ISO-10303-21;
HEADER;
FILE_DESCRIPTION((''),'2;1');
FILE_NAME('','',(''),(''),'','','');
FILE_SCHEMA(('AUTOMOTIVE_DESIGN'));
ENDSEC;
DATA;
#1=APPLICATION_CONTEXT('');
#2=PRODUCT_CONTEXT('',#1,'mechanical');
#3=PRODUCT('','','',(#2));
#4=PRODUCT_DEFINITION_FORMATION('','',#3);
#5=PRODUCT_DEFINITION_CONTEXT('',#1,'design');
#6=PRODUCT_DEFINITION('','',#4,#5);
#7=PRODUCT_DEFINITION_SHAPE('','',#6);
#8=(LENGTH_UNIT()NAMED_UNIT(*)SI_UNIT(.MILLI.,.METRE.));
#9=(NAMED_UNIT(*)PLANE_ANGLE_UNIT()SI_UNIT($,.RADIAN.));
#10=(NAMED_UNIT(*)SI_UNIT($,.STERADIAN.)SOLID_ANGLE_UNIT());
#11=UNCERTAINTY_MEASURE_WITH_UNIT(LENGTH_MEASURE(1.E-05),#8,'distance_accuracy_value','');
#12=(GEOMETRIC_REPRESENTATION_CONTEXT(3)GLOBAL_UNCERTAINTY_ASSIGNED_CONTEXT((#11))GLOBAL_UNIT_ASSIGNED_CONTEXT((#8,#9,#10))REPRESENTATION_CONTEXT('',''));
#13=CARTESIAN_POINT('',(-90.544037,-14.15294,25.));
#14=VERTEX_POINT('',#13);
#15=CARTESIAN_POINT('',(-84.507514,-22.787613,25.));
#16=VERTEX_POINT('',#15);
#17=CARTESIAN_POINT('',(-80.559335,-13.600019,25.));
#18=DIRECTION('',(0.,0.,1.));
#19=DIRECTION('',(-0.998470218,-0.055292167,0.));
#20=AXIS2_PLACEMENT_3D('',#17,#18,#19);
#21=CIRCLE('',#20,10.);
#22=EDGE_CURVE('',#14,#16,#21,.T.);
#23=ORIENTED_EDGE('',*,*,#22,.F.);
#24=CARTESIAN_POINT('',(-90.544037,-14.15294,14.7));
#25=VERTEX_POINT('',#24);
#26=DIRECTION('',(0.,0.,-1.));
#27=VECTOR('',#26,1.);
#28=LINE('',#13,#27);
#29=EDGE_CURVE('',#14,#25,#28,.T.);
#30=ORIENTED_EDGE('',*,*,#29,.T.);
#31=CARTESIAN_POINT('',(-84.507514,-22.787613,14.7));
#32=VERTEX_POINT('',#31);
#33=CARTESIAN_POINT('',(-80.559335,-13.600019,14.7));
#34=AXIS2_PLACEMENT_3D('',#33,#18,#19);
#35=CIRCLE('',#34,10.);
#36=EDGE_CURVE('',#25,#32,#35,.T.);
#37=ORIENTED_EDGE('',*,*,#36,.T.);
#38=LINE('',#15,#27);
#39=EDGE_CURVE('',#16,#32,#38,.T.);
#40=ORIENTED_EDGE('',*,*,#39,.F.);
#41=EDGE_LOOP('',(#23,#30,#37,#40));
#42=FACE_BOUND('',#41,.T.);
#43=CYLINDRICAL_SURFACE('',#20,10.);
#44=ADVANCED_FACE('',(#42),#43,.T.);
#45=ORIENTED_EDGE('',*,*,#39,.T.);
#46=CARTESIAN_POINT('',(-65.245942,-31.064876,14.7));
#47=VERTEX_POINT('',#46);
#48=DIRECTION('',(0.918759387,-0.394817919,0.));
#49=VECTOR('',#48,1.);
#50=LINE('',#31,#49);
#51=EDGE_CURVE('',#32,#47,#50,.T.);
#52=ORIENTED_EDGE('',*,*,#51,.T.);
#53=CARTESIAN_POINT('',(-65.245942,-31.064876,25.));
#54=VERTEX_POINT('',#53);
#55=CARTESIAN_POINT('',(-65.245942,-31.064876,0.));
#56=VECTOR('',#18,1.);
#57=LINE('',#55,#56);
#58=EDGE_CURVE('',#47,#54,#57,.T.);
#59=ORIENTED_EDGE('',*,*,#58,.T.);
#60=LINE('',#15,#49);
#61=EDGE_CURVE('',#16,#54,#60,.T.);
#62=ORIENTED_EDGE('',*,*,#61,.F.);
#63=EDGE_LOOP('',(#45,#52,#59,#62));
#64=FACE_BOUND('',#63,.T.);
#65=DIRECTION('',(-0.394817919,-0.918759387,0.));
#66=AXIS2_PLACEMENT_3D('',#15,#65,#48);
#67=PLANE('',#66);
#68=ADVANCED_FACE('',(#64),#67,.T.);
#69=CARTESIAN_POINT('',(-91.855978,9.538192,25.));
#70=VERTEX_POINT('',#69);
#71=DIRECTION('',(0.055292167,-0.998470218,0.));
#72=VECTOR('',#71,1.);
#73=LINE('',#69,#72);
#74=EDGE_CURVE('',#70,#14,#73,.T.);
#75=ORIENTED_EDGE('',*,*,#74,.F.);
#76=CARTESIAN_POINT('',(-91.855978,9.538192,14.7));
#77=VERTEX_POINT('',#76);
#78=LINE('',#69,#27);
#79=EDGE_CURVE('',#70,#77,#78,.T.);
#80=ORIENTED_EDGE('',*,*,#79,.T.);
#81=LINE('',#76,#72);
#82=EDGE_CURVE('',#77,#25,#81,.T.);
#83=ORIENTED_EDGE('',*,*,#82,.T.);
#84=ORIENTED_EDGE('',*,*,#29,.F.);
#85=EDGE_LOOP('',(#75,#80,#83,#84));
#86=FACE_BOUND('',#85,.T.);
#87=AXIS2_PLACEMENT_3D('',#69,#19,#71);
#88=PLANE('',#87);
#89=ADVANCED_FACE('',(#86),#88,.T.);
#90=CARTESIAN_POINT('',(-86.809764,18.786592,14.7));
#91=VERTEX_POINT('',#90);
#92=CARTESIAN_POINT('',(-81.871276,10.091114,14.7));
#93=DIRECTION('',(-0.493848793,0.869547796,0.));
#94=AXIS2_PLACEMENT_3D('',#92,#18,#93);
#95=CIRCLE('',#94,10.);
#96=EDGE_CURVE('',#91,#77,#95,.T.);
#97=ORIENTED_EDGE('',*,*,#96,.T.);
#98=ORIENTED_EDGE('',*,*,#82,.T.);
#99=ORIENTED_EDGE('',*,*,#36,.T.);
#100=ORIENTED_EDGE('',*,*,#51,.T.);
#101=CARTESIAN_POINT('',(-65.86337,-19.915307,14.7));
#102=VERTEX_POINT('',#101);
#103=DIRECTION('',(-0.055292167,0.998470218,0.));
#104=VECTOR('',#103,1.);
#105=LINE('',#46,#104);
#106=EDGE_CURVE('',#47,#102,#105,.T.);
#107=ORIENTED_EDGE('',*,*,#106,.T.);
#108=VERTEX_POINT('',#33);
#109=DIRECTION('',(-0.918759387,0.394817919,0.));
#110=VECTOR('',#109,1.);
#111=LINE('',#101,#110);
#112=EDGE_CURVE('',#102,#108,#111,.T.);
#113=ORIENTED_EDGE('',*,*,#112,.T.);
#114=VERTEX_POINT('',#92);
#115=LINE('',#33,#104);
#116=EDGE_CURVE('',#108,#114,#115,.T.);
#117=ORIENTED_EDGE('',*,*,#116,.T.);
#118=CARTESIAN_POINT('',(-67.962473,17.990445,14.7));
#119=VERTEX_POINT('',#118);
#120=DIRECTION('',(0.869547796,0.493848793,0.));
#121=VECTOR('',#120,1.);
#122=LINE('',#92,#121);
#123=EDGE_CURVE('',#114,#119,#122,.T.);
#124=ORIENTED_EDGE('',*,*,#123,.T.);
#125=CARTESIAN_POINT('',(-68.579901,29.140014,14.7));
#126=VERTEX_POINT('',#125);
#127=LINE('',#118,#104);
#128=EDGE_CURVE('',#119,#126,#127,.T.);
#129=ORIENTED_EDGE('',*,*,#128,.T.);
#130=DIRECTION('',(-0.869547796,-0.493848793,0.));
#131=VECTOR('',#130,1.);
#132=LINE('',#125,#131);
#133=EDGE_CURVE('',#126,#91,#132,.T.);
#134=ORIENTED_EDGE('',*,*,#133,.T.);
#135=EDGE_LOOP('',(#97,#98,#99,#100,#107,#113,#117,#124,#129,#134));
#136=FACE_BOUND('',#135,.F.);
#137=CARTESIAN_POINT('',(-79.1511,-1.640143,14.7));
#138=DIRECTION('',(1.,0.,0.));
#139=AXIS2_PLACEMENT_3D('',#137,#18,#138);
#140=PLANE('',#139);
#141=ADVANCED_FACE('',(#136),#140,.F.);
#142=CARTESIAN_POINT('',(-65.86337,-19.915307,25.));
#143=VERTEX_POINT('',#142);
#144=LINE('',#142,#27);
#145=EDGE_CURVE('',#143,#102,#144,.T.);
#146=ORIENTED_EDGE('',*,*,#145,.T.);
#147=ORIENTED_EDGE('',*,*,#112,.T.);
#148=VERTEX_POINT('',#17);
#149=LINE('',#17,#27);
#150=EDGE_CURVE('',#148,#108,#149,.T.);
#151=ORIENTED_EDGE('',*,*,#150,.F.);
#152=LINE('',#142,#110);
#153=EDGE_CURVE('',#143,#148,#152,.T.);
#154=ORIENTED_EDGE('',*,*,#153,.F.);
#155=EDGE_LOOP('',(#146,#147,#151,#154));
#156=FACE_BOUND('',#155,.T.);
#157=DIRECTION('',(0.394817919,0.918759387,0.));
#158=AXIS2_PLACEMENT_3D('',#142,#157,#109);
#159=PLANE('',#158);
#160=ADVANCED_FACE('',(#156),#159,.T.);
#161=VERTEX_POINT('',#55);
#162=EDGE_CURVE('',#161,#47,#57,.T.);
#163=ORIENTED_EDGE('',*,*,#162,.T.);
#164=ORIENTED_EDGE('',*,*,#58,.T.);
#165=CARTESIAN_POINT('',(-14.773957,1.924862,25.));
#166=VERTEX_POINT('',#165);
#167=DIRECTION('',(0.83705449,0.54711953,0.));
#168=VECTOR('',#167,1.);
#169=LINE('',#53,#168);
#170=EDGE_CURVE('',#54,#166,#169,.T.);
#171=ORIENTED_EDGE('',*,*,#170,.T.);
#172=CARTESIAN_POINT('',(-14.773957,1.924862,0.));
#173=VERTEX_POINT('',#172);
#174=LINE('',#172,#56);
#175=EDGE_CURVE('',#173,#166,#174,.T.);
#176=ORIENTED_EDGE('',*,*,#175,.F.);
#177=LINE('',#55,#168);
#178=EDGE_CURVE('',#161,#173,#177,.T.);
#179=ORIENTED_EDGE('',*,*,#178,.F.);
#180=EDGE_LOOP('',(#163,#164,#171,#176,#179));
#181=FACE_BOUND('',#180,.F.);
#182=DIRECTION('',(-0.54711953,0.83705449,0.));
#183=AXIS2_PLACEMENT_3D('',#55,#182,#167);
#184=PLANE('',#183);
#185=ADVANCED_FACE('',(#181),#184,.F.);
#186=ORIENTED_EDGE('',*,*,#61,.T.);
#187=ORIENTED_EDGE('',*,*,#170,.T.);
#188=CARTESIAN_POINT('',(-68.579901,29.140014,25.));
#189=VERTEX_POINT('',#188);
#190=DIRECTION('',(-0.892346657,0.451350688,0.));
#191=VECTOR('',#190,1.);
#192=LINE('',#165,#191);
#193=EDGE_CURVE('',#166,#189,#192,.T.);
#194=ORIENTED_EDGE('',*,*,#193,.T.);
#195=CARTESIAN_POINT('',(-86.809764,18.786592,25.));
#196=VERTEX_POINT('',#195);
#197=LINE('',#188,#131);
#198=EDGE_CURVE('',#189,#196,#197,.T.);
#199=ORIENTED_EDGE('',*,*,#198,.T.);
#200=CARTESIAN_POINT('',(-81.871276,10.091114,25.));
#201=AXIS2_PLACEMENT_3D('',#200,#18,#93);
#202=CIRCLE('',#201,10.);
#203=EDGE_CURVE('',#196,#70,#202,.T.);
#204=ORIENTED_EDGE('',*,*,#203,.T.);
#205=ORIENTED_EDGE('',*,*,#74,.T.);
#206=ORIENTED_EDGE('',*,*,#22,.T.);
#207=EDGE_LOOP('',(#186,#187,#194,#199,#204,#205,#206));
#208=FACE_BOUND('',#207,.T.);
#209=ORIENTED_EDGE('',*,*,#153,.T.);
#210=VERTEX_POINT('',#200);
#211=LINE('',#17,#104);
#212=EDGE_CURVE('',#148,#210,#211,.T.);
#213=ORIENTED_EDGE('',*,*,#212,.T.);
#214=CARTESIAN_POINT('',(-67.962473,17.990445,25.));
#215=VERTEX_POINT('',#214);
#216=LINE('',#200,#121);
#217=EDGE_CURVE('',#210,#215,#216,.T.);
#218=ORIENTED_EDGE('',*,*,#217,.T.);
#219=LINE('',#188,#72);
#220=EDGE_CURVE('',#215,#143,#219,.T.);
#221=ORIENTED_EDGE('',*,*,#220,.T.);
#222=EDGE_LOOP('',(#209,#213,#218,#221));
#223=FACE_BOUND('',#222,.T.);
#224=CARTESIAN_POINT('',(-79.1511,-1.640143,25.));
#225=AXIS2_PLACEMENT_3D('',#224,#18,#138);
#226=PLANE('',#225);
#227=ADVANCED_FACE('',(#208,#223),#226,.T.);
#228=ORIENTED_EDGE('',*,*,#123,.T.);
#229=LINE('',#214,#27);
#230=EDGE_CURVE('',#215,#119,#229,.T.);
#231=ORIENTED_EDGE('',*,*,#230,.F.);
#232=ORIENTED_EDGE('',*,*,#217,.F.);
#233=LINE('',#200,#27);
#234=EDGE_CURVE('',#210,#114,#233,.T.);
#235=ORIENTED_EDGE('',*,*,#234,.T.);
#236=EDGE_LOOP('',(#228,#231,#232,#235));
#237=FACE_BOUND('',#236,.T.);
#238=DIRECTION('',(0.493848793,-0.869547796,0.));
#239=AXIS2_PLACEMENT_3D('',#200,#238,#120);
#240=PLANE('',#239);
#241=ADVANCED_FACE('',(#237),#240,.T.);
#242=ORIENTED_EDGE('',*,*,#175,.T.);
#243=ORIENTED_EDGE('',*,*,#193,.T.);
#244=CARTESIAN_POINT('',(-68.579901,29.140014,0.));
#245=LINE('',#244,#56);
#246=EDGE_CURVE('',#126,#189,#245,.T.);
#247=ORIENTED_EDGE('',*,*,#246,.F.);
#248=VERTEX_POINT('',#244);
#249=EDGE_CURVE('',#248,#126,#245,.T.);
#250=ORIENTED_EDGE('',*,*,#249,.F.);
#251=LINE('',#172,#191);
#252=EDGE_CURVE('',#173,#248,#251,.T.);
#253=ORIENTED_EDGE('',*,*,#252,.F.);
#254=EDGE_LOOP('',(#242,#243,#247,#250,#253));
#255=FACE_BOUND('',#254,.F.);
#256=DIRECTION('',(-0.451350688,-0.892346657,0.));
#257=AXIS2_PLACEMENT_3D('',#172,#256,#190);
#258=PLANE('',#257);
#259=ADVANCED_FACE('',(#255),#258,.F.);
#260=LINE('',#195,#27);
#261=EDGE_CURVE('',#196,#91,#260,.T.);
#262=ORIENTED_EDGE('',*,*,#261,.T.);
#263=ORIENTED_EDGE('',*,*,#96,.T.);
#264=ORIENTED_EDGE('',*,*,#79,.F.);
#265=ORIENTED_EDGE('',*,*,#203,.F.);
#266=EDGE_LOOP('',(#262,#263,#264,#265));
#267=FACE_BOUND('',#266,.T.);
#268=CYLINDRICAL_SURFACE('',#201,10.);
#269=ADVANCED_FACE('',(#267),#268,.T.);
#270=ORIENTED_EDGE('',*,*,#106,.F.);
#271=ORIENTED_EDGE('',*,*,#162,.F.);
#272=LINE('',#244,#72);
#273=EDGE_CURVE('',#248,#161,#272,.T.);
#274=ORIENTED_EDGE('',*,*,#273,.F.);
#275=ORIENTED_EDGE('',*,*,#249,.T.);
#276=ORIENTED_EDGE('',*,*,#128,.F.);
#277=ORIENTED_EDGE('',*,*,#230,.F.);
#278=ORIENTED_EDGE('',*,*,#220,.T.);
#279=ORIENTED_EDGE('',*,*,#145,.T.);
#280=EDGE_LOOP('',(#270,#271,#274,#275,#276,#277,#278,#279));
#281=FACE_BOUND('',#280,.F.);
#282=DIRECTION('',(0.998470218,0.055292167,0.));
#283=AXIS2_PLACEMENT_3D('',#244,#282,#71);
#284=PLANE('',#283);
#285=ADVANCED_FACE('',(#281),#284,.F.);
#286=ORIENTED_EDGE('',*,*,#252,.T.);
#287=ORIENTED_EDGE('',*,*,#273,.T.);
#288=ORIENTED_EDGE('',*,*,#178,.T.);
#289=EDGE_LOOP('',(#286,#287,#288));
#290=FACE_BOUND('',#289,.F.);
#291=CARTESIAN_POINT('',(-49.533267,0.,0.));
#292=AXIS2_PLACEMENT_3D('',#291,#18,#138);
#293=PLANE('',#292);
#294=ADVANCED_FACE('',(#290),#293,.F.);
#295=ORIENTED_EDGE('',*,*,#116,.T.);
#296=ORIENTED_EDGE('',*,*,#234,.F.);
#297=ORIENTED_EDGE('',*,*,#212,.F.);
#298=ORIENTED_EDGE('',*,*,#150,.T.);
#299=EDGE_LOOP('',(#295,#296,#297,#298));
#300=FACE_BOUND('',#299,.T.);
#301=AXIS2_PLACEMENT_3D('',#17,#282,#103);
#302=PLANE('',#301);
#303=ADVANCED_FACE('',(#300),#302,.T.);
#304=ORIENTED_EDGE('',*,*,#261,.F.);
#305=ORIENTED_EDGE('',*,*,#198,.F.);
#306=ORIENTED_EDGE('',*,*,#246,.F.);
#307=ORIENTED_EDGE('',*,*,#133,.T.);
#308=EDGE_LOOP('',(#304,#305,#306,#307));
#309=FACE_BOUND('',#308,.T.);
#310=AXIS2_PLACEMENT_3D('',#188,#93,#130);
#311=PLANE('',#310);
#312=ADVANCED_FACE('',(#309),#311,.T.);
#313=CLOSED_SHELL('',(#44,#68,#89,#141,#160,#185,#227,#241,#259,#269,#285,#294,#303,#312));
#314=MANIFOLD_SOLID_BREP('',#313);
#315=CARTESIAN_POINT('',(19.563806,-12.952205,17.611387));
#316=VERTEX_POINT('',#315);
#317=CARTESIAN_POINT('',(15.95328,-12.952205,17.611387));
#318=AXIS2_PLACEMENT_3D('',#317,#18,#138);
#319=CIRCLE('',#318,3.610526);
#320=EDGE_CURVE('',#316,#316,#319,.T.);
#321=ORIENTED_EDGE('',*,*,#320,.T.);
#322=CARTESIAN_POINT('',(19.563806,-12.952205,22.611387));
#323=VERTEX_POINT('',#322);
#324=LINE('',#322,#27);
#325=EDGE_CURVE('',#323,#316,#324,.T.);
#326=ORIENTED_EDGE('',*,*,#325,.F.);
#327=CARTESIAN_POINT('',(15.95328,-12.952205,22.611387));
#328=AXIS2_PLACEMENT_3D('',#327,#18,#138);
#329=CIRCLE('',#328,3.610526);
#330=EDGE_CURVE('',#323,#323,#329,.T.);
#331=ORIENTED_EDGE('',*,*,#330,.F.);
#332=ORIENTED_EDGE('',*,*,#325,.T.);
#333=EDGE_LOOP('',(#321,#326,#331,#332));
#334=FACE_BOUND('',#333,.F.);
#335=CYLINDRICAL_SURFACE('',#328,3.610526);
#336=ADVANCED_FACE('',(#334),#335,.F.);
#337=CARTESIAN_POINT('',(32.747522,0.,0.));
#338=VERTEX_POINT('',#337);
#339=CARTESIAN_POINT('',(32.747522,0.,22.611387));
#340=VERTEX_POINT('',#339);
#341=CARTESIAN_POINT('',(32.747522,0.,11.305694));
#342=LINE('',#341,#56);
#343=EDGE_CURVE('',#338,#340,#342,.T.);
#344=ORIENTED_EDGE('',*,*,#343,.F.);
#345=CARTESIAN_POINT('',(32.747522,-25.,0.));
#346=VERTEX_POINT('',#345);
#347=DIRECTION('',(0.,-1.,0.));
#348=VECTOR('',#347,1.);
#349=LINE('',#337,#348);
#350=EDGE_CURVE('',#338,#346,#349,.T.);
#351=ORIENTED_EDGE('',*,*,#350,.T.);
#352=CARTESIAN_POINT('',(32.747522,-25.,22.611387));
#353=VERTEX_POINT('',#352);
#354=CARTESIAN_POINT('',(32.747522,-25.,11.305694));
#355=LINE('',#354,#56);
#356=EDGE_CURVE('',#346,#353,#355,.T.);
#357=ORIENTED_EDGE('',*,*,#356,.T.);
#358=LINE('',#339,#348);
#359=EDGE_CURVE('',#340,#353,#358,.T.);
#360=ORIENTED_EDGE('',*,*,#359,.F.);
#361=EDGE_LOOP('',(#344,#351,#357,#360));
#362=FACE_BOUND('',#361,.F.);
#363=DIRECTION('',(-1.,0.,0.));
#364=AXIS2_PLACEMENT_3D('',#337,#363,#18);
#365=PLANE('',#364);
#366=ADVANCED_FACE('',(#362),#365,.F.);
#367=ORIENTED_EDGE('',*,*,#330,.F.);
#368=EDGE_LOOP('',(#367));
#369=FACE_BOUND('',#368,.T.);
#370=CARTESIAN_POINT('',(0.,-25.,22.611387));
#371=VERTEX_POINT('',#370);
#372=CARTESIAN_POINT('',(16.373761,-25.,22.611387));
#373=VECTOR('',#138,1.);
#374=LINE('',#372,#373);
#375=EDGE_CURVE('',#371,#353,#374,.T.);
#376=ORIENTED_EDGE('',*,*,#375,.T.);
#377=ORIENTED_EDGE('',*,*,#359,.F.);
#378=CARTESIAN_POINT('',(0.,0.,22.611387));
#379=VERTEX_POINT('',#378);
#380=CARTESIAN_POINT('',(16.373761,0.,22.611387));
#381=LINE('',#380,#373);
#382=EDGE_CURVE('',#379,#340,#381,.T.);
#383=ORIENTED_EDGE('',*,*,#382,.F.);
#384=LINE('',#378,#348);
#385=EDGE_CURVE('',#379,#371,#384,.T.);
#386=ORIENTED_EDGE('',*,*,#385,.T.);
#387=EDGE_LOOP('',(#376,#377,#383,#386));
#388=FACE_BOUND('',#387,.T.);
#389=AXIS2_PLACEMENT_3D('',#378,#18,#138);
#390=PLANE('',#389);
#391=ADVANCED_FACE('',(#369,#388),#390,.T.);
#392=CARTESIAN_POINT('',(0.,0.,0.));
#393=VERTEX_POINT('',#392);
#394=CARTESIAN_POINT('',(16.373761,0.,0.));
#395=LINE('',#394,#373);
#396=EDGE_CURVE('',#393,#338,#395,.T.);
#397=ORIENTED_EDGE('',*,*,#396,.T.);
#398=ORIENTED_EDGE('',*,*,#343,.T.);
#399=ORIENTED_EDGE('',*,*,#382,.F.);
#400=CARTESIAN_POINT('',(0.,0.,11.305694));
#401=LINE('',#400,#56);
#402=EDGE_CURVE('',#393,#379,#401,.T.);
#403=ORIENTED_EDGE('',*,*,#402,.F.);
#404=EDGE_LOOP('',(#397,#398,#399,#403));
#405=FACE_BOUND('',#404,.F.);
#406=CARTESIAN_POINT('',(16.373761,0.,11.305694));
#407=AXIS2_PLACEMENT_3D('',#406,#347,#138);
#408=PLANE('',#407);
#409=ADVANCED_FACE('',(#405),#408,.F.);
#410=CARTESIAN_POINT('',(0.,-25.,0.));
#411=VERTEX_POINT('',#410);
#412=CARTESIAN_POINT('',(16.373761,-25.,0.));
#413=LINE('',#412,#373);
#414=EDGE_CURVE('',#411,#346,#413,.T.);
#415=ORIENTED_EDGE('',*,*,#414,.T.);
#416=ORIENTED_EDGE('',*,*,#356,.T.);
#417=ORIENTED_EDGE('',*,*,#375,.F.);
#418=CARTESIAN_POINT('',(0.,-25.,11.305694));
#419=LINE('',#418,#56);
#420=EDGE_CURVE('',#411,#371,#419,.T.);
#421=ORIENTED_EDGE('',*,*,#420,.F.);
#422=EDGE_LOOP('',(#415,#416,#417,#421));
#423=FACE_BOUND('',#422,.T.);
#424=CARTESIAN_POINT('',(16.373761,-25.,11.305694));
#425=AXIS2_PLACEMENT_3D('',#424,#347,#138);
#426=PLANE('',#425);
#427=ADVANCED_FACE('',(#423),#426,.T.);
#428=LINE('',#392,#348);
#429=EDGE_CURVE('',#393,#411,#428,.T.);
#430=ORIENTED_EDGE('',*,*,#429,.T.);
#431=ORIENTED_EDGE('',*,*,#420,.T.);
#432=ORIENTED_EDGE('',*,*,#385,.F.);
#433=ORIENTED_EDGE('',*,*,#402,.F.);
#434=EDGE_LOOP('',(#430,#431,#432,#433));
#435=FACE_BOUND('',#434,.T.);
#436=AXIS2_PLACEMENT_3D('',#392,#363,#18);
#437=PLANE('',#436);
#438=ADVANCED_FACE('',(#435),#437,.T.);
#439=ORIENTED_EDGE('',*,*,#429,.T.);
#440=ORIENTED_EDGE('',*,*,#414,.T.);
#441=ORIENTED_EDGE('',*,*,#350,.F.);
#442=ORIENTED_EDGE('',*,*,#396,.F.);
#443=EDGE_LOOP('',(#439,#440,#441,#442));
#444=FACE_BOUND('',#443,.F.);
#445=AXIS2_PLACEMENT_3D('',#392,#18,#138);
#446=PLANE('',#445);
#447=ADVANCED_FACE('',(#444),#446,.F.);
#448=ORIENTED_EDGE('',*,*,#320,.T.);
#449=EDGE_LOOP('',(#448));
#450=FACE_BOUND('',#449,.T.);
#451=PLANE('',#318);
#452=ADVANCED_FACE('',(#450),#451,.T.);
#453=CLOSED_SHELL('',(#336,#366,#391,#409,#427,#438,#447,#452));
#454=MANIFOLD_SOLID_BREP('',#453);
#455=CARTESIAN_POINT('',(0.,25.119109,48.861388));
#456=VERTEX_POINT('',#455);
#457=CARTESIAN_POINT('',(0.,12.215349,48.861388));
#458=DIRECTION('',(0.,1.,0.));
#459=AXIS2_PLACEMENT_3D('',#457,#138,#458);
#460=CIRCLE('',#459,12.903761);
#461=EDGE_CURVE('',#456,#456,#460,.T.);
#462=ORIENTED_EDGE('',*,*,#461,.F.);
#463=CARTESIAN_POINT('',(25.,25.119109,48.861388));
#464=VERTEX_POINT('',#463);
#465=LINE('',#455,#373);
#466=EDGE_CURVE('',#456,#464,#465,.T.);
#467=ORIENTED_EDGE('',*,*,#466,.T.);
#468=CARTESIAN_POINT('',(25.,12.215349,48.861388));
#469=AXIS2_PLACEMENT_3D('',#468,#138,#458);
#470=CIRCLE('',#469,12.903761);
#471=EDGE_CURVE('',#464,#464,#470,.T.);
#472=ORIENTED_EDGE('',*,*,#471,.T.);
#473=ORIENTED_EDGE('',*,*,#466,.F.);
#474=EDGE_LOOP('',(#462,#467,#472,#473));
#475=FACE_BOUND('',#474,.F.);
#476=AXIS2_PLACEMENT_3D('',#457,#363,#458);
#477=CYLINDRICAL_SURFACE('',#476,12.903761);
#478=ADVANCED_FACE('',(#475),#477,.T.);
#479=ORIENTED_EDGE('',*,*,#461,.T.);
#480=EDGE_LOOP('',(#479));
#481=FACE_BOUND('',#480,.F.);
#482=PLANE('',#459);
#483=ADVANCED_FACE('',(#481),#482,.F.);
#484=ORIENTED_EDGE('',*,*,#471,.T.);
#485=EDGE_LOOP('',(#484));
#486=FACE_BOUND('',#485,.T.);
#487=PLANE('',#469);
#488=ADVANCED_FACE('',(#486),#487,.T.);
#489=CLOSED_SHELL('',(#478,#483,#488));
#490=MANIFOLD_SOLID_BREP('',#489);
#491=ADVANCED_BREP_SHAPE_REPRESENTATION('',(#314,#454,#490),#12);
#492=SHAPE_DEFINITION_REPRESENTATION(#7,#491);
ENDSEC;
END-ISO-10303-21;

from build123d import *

# Parameters (mm, degrees)
F0_W     = 32.7475219965
F0_H     = 22.611387074
F1_DEPTH = 25
F2_R     = 12.9037605073
F3_DEPTH = 25
F5_DEPTH = 25
F6_R     = 3.610526351
F7_DEPTH = 5
F9_DEPTH = 10.3


with BuildPart() as f1:
    # F0 (on Front) → F1 (new body)
    with BuildSketch(Plane.XZ):
        with Locations((16.3737609982, 11.305693537)):
            Rectangle(F0_W, F0_H)
    extrude(amount=F1_DEPTH)

    # F6 (on face) → F7 (cut)
    with BuildSketch(Plane.XY.offset(22.611387074)):
        with Locations((15.9532800317, -12.9522047937)):
            Circle(F6_R)
    extrude(amount=-F7_DEPTH, mode=Mode.SUBTRACT)


with BuildPart() as f3:
    # F2 (on Right) → F3 (new body)
    with BuildSketch(Plane.YZ):
        with Locations((12.2153488919, 48.8613881171)):
            Circle(F2_R)
    extrude(amount=F3_DEPTH)


with BuildPart() as f5:
    # F4 (on Top) → F5 (new body)
    with BuildSketch(Plane.XY):
        Polygon((-65.2459419214, -31.0648763786), (-14.7739567913, 1.9248621772), (-68.5799010098, 29.1400142014), align=None)
    extrude(amount=F5_DEPTH)

    # F8 (on face) → F9 (join)
    with BuildSketch(Plane.XY.offset(25)):
        with BuildLine():
            Line((-67.962472612, 17.9904445321), (-68.5799010098, 29.1400142014))
            Line((-68.5799010098, 29.1400142014), (-86.8097636916, 18.786591731))
            ThreePointArc((-86.8097636916, 18.786591731), (-90.6495799627, 14.8808293472), (-91.8559779381, 9.5381921034))
            Line((-91.8559779381, 9.5381921034), (-90.5440368998, -14.1529404398))
            ThreePointArc((-90.5440368998, -14.1529404398), (-88.7551072146, -19.3297057789), (-84.5075139047, -22.787612641))
            Line((-84.5075139047, -22.787612641), (-65.2459419214, -31.0648763786))
            Line((-65.2459419214, -31.0648763786), (-65.8633703192, -19.9153067092))
            Line((-65.8633703192, -19.9153067092), (-80.5593347196, -13.6000187709))
            Line((-80.5593347196, -13.6000187709), (-81.8712757579, 10.0911137724))
            Line((-81.8712757579, 10.0911137724), (-67.962472612, 17.9904445321))
        make_face()
    extrude(amount=-F9_DEPTH)


solid = Compound([f1.part, f3.part, f5.part])
